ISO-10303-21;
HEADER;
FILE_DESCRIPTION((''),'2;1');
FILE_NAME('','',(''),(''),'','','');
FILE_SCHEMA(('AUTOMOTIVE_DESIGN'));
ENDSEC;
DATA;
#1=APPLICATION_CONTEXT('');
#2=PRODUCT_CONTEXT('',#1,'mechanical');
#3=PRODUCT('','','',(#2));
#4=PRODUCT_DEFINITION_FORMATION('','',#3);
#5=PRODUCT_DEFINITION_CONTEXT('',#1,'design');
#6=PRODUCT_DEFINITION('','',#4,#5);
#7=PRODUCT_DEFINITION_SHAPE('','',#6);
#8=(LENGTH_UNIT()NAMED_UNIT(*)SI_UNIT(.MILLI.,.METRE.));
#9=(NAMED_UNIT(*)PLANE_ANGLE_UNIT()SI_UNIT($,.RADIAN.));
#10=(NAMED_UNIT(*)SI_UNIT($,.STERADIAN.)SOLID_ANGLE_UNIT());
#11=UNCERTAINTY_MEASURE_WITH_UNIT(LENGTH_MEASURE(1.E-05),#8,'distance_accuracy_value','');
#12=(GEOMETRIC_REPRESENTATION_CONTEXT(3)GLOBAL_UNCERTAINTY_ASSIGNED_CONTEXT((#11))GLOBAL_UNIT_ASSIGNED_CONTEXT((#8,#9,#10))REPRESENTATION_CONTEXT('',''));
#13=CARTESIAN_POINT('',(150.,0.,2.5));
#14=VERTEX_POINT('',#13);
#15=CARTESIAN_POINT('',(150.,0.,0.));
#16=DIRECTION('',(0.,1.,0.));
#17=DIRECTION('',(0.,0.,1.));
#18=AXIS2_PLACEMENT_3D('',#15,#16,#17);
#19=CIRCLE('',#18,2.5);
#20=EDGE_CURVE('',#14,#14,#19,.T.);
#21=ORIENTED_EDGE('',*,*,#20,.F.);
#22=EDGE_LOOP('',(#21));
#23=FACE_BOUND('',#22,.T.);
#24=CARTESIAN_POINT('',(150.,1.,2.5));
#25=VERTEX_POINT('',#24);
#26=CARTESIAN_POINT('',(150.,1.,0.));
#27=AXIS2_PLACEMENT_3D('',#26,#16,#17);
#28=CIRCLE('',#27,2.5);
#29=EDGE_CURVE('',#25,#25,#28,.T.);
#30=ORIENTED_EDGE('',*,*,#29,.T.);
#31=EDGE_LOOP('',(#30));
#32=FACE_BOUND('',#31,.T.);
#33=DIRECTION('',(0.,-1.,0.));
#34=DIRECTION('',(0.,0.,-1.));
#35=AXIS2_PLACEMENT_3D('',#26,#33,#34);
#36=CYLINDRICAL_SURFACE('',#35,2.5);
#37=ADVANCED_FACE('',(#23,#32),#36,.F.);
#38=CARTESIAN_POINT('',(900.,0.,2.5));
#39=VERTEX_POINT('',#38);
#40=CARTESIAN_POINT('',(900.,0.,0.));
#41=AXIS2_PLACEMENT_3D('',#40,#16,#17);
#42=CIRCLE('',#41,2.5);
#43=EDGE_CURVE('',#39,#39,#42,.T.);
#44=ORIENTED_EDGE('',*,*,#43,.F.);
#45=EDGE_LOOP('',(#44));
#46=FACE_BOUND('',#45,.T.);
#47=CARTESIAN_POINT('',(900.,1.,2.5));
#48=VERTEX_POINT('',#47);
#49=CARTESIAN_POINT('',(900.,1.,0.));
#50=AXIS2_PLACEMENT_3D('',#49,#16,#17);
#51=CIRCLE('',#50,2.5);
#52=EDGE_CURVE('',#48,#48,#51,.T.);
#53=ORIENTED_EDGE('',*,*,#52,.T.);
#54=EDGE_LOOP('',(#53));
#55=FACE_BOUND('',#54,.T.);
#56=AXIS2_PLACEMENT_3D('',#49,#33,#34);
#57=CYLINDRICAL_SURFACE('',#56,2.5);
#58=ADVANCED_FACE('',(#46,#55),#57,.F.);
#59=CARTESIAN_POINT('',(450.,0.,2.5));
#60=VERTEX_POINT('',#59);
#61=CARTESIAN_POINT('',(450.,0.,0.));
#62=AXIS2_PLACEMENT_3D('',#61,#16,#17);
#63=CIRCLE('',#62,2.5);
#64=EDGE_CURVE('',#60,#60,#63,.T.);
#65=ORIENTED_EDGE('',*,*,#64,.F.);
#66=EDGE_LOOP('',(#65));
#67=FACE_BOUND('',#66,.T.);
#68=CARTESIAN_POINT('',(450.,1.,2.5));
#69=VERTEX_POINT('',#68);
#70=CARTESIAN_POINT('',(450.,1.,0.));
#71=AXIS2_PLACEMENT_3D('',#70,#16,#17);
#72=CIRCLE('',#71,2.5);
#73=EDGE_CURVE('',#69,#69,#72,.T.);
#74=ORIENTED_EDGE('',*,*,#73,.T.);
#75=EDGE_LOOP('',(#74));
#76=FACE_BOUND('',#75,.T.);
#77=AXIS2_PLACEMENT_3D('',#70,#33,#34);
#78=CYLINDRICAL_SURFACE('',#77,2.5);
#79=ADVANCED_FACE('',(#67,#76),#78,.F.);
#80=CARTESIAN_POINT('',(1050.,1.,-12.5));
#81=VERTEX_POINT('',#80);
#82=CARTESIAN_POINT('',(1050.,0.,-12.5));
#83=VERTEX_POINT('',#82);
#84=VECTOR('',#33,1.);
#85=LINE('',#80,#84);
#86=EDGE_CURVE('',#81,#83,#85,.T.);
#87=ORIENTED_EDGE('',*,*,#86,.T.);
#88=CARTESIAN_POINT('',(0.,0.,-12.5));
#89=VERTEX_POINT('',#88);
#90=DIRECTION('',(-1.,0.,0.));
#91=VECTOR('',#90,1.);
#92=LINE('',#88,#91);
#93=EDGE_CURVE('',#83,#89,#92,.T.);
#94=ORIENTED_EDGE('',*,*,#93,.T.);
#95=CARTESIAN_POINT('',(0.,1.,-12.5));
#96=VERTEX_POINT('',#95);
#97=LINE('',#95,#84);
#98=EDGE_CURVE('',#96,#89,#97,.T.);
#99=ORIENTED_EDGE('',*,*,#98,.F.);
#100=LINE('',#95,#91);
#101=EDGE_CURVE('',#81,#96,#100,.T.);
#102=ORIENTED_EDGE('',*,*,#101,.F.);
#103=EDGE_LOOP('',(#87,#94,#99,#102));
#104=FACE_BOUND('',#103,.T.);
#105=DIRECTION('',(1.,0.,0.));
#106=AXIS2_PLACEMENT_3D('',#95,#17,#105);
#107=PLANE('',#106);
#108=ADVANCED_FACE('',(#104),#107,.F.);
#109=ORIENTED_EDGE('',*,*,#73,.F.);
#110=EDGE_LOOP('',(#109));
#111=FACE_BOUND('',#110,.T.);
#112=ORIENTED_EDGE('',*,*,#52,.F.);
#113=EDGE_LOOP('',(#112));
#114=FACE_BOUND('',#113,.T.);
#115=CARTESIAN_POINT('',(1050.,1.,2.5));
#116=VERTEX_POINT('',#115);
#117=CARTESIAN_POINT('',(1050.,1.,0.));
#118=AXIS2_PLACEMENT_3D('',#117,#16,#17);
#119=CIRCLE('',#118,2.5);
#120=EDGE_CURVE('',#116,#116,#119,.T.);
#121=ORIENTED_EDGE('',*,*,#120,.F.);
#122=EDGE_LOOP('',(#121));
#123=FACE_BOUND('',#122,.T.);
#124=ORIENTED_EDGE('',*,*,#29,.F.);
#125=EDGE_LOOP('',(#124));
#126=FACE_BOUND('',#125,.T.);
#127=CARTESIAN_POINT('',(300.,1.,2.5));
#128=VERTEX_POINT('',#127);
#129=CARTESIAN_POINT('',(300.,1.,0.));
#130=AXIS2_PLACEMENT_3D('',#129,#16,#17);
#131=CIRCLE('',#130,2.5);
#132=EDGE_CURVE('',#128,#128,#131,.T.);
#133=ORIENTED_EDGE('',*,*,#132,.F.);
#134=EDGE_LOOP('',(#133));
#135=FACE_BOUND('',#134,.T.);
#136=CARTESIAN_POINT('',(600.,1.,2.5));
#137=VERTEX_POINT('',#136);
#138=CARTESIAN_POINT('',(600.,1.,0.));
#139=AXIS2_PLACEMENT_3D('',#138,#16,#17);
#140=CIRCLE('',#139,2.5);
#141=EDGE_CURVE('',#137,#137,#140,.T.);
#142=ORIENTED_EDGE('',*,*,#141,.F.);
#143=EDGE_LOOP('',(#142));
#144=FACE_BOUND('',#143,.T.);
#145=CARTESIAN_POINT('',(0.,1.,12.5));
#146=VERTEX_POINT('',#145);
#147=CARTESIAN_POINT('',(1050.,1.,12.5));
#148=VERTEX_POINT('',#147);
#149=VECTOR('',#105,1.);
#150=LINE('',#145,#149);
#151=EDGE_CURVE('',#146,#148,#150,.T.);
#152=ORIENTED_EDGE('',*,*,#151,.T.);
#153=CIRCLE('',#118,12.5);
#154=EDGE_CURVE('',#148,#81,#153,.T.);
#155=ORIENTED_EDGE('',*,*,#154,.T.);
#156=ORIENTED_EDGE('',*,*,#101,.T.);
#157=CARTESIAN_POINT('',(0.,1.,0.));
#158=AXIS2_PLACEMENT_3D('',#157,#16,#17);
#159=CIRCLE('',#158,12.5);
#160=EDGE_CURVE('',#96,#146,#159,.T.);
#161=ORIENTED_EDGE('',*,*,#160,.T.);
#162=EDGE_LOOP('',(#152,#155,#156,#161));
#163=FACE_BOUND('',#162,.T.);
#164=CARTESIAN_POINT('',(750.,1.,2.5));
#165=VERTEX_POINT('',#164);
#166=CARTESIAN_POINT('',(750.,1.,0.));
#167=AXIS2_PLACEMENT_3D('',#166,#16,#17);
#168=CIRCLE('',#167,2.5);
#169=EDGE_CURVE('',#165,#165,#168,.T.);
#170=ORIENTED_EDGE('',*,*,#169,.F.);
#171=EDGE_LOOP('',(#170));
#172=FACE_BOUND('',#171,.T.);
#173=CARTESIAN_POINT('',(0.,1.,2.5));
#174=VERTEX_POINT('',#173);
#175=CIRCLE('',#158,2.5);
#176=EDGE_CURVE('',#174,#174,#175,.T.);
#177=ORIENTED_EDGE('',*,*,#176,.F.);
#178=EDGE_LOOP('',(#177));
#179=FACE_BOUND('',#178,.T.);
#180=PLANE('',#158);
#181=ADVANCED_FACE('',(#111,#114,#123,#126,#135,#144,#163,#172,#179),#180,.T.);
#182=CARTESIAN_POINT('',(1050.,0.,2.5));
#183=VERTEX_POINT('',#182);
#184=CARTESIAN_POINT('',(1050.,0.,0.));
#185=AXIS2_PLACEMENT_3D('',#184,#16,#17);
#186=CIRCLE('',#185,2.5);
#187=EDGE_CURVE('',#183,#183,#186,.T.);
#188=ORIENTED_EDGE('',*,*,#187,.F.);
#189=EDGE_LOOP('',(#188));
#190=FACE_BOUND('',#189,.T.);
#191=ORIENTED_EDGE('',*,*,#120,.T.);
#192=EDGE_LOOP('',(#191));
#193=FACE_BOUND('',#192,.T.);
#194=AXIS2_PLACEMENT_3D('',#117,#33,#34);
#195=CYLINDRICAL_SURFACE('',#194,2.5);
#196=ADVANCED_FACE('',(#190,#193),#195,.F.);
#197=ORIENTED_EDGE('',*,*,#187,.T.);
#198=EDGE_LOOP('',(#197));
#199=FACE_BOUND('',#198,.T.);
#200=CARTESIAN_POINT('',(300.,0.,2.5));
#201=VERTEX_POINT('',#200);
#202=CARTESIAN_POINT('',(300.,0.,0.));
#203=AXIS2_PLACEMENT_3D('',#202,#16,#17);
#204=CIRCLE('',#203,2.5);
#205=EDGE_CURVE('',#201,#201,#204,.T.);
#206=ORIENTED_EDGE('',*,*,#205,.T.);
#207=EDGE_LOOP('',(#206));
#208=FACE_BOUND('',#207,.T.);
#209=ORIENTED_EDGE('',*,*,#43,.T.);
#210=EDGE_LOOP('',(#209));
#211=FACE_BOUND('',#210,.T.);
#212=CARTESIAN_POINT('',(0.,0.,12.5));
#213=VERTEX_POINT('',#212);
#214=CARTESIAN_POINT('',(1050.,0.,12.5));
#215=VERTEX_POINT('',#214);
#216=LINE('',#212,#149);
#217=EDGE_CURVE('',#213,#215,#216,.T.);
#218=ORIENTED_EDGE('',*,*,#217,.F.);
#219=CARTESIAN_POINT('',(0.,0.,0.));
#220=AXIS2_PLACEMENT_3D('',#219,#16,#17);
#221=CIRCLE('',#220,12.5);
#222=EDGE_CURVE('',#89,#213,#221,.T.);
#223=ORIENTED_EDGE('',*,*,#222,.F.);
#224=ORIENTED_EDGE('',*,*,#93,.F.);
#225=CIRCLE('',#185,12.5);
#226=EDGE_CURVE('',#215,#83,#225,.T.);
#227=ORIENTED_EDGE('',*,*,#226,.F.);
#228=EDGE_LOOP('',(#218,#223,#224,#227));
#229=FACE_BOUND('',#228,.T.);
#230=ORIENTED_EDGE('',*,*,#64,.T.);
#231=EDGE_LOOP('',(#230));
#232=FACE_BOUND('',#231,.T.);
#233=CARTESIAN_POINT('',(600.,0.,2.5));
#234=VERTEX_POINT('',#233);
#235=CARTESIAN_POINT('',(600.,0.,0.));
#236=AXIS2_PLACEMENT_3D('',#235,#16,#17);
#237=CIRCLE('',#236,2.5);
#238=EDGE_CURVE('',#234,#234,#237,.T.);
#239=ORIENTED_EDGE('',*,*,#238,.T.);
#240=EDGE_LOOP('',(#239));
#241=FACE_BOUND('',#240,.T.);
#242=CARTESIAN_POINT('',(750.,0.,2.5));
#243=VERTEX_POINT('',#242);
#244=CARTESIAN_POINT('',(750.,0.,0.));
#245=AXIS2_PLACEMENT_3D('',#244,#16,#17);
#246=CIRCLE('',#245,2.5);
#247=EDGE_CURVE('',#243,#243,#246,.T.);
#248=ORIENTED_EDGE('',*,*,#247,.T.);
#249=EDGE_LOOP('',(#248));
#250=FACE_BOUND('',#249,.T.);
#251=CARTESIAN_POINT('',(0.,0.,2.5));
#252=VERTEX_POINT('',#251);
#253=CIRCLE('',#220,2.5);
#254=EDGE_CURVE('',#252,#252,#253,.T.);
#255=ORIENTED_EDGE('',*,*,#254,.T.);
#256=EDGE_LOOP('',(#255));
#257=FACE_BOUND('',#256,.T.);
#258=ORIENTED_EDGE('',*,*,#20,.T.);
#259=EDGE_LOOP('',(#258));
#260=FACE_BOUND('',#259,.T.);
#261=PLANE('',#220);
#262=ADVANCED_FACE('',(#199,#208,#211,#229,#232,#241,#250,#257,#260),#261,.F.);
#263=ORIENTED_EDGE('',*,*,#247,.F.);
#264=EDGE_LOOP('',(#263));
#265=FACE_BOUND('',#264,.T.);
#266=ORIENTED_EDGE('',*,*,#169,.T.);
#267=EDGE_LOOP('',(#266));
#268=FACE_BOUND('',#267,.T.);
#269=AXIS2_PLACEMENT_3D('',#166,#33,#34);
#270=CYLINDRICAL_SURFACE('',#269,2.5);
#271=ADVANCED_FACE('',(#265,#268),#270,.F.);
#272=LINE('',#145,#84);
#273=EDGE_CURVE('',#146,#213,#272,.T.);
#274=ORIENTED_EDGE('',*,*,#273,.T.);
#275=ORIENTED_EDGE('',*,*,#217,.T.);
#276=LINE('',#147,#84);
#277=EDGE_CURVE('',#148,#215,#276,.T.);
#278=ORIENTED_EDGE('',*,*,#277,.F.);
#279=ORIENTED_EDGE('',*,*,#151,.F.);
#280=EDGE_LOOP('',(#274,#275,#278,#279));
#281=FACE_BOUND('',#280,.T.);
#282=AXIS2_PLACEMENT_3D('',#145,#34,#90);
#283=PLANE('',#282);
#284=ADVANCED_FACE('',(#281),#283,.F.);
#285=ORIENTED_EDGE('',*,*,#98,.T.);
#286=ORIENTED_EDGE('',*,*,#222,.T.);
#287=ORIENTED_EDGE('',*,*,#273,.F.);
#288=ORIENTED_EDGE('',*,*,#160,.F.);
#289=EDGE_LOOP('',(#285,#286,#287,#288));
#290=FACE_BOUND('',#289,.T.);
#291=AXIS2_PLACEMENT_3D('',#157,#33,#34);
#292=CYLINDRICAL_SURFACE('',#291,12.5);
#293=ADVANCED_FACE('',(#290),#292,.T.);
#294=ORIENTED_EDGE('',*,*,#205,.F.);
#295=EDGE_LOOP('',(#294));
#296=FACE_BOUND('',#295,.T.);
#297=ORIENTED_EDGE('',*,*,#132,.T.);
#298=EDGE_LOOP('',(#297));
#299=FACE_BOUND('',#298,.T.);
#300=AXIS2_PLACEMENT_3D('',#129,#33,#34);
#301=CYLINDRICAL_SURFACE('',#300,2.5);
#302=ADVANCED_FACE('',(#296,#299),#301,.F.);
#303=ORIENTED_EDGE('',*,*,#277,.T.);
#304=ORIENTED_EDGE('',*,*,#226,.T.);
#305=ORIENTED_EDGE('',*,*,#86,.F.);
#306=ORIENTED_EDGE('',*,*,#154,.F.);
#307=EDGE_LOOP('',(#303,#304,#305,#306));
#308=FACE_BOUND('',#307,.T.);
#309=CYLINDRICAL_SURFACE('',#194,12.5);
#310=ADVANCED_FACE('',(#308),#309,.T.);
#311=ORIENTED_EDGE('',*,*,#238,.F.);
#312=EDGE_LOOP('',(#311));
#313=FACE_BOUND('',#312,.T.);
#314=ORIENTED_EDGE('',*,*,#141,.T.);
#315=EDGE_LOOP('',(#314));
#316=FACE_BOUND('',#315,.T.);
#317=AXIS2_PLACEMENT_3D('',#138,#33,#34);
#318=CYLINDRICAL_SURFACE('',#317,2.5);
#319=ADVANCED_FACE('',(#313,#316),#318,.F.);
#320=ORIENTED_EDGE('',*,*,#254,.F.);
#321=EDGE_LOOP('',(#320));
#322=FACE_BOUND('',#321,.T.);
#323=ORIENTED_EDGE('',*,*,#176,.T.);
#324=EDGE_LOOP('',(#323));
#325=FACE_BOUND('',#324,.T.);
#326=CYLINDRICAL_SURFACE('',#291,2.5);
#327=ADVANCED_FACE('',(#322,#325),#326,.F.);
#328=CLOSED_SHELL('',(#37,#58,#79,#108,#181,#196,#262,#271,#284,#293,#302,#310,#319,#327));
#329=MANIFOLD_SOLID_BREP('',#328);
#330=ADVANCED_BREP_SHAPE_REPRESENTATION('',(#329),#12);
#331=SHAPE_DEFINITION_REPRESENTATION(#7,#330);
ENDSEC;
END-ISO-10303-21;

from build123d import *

# Parameters (mm, degrees)
SKETCH1_R           = 2.5
BOSS_EXTRUDE1_DEPTH = 1


with BuildPart() as part:
    # Sketch1 → Boss-Extrude1 (new body)
    with BuildSketch(Plane(origin=(0, 0, 0), x_dir=(1, 0, 0), z_dir=(0, 1, 0))):
        with BuildLine():
            Line((0, 12.5), (1050, 12.5))
            ThreePointArc((1050, 12.5), (1062.5, 0), (1050, -12.5))
            Line((1050, -12.5), (0, -12.5))
            ThreePointArc((0, -12.5), (-12.5, 0), (0, 12.5))
        make_face()
        with Locations(Location((0, 0, 0), (0, 0, 270))):
            Circle(SKETCH1_R, mode=Mode.SUBTRACT)
        with Locations(Location((150, 0, 0), (0, 0, 270))):
            Circle(SKETCH1_R, mode=Mode.SUBTRACT)
        with Locations(Location((300, 0, 0), (0, 0, 270))):
            Circle(SKETCH1_R, mode=Mode.SUBTRACT)
        with Locations(Location((450, 0, 0), (0, 0, 270))):
            Circle(SKETCH1_R, mode=Mode.SUBTRACT)
        with Locations(Location((600, 0, 0), (0, 0, 270))):
            Circle(SKETCH1_R, mode=Mode.SUBTRACT)
        with Locations(Location((750, 0, 0), (0, 0, 270))):
            Circle(SKETCH1_R, mode=Mode.SUBTRACT)
        with Locations(Location((900, 0, 0), (0, 0, 270))):
            Circle(SKETCH1_R, mode=Mode.SUBTRACT)
        with Locations(Location((1050, 0, 0), (0, 0, 270))):
            Circle(SKETCH1_R, mode=Mode.SUBTRACT)
    extrude(amount=BOSS_EXTRUDE1_DEPTH)


solid = part.part
